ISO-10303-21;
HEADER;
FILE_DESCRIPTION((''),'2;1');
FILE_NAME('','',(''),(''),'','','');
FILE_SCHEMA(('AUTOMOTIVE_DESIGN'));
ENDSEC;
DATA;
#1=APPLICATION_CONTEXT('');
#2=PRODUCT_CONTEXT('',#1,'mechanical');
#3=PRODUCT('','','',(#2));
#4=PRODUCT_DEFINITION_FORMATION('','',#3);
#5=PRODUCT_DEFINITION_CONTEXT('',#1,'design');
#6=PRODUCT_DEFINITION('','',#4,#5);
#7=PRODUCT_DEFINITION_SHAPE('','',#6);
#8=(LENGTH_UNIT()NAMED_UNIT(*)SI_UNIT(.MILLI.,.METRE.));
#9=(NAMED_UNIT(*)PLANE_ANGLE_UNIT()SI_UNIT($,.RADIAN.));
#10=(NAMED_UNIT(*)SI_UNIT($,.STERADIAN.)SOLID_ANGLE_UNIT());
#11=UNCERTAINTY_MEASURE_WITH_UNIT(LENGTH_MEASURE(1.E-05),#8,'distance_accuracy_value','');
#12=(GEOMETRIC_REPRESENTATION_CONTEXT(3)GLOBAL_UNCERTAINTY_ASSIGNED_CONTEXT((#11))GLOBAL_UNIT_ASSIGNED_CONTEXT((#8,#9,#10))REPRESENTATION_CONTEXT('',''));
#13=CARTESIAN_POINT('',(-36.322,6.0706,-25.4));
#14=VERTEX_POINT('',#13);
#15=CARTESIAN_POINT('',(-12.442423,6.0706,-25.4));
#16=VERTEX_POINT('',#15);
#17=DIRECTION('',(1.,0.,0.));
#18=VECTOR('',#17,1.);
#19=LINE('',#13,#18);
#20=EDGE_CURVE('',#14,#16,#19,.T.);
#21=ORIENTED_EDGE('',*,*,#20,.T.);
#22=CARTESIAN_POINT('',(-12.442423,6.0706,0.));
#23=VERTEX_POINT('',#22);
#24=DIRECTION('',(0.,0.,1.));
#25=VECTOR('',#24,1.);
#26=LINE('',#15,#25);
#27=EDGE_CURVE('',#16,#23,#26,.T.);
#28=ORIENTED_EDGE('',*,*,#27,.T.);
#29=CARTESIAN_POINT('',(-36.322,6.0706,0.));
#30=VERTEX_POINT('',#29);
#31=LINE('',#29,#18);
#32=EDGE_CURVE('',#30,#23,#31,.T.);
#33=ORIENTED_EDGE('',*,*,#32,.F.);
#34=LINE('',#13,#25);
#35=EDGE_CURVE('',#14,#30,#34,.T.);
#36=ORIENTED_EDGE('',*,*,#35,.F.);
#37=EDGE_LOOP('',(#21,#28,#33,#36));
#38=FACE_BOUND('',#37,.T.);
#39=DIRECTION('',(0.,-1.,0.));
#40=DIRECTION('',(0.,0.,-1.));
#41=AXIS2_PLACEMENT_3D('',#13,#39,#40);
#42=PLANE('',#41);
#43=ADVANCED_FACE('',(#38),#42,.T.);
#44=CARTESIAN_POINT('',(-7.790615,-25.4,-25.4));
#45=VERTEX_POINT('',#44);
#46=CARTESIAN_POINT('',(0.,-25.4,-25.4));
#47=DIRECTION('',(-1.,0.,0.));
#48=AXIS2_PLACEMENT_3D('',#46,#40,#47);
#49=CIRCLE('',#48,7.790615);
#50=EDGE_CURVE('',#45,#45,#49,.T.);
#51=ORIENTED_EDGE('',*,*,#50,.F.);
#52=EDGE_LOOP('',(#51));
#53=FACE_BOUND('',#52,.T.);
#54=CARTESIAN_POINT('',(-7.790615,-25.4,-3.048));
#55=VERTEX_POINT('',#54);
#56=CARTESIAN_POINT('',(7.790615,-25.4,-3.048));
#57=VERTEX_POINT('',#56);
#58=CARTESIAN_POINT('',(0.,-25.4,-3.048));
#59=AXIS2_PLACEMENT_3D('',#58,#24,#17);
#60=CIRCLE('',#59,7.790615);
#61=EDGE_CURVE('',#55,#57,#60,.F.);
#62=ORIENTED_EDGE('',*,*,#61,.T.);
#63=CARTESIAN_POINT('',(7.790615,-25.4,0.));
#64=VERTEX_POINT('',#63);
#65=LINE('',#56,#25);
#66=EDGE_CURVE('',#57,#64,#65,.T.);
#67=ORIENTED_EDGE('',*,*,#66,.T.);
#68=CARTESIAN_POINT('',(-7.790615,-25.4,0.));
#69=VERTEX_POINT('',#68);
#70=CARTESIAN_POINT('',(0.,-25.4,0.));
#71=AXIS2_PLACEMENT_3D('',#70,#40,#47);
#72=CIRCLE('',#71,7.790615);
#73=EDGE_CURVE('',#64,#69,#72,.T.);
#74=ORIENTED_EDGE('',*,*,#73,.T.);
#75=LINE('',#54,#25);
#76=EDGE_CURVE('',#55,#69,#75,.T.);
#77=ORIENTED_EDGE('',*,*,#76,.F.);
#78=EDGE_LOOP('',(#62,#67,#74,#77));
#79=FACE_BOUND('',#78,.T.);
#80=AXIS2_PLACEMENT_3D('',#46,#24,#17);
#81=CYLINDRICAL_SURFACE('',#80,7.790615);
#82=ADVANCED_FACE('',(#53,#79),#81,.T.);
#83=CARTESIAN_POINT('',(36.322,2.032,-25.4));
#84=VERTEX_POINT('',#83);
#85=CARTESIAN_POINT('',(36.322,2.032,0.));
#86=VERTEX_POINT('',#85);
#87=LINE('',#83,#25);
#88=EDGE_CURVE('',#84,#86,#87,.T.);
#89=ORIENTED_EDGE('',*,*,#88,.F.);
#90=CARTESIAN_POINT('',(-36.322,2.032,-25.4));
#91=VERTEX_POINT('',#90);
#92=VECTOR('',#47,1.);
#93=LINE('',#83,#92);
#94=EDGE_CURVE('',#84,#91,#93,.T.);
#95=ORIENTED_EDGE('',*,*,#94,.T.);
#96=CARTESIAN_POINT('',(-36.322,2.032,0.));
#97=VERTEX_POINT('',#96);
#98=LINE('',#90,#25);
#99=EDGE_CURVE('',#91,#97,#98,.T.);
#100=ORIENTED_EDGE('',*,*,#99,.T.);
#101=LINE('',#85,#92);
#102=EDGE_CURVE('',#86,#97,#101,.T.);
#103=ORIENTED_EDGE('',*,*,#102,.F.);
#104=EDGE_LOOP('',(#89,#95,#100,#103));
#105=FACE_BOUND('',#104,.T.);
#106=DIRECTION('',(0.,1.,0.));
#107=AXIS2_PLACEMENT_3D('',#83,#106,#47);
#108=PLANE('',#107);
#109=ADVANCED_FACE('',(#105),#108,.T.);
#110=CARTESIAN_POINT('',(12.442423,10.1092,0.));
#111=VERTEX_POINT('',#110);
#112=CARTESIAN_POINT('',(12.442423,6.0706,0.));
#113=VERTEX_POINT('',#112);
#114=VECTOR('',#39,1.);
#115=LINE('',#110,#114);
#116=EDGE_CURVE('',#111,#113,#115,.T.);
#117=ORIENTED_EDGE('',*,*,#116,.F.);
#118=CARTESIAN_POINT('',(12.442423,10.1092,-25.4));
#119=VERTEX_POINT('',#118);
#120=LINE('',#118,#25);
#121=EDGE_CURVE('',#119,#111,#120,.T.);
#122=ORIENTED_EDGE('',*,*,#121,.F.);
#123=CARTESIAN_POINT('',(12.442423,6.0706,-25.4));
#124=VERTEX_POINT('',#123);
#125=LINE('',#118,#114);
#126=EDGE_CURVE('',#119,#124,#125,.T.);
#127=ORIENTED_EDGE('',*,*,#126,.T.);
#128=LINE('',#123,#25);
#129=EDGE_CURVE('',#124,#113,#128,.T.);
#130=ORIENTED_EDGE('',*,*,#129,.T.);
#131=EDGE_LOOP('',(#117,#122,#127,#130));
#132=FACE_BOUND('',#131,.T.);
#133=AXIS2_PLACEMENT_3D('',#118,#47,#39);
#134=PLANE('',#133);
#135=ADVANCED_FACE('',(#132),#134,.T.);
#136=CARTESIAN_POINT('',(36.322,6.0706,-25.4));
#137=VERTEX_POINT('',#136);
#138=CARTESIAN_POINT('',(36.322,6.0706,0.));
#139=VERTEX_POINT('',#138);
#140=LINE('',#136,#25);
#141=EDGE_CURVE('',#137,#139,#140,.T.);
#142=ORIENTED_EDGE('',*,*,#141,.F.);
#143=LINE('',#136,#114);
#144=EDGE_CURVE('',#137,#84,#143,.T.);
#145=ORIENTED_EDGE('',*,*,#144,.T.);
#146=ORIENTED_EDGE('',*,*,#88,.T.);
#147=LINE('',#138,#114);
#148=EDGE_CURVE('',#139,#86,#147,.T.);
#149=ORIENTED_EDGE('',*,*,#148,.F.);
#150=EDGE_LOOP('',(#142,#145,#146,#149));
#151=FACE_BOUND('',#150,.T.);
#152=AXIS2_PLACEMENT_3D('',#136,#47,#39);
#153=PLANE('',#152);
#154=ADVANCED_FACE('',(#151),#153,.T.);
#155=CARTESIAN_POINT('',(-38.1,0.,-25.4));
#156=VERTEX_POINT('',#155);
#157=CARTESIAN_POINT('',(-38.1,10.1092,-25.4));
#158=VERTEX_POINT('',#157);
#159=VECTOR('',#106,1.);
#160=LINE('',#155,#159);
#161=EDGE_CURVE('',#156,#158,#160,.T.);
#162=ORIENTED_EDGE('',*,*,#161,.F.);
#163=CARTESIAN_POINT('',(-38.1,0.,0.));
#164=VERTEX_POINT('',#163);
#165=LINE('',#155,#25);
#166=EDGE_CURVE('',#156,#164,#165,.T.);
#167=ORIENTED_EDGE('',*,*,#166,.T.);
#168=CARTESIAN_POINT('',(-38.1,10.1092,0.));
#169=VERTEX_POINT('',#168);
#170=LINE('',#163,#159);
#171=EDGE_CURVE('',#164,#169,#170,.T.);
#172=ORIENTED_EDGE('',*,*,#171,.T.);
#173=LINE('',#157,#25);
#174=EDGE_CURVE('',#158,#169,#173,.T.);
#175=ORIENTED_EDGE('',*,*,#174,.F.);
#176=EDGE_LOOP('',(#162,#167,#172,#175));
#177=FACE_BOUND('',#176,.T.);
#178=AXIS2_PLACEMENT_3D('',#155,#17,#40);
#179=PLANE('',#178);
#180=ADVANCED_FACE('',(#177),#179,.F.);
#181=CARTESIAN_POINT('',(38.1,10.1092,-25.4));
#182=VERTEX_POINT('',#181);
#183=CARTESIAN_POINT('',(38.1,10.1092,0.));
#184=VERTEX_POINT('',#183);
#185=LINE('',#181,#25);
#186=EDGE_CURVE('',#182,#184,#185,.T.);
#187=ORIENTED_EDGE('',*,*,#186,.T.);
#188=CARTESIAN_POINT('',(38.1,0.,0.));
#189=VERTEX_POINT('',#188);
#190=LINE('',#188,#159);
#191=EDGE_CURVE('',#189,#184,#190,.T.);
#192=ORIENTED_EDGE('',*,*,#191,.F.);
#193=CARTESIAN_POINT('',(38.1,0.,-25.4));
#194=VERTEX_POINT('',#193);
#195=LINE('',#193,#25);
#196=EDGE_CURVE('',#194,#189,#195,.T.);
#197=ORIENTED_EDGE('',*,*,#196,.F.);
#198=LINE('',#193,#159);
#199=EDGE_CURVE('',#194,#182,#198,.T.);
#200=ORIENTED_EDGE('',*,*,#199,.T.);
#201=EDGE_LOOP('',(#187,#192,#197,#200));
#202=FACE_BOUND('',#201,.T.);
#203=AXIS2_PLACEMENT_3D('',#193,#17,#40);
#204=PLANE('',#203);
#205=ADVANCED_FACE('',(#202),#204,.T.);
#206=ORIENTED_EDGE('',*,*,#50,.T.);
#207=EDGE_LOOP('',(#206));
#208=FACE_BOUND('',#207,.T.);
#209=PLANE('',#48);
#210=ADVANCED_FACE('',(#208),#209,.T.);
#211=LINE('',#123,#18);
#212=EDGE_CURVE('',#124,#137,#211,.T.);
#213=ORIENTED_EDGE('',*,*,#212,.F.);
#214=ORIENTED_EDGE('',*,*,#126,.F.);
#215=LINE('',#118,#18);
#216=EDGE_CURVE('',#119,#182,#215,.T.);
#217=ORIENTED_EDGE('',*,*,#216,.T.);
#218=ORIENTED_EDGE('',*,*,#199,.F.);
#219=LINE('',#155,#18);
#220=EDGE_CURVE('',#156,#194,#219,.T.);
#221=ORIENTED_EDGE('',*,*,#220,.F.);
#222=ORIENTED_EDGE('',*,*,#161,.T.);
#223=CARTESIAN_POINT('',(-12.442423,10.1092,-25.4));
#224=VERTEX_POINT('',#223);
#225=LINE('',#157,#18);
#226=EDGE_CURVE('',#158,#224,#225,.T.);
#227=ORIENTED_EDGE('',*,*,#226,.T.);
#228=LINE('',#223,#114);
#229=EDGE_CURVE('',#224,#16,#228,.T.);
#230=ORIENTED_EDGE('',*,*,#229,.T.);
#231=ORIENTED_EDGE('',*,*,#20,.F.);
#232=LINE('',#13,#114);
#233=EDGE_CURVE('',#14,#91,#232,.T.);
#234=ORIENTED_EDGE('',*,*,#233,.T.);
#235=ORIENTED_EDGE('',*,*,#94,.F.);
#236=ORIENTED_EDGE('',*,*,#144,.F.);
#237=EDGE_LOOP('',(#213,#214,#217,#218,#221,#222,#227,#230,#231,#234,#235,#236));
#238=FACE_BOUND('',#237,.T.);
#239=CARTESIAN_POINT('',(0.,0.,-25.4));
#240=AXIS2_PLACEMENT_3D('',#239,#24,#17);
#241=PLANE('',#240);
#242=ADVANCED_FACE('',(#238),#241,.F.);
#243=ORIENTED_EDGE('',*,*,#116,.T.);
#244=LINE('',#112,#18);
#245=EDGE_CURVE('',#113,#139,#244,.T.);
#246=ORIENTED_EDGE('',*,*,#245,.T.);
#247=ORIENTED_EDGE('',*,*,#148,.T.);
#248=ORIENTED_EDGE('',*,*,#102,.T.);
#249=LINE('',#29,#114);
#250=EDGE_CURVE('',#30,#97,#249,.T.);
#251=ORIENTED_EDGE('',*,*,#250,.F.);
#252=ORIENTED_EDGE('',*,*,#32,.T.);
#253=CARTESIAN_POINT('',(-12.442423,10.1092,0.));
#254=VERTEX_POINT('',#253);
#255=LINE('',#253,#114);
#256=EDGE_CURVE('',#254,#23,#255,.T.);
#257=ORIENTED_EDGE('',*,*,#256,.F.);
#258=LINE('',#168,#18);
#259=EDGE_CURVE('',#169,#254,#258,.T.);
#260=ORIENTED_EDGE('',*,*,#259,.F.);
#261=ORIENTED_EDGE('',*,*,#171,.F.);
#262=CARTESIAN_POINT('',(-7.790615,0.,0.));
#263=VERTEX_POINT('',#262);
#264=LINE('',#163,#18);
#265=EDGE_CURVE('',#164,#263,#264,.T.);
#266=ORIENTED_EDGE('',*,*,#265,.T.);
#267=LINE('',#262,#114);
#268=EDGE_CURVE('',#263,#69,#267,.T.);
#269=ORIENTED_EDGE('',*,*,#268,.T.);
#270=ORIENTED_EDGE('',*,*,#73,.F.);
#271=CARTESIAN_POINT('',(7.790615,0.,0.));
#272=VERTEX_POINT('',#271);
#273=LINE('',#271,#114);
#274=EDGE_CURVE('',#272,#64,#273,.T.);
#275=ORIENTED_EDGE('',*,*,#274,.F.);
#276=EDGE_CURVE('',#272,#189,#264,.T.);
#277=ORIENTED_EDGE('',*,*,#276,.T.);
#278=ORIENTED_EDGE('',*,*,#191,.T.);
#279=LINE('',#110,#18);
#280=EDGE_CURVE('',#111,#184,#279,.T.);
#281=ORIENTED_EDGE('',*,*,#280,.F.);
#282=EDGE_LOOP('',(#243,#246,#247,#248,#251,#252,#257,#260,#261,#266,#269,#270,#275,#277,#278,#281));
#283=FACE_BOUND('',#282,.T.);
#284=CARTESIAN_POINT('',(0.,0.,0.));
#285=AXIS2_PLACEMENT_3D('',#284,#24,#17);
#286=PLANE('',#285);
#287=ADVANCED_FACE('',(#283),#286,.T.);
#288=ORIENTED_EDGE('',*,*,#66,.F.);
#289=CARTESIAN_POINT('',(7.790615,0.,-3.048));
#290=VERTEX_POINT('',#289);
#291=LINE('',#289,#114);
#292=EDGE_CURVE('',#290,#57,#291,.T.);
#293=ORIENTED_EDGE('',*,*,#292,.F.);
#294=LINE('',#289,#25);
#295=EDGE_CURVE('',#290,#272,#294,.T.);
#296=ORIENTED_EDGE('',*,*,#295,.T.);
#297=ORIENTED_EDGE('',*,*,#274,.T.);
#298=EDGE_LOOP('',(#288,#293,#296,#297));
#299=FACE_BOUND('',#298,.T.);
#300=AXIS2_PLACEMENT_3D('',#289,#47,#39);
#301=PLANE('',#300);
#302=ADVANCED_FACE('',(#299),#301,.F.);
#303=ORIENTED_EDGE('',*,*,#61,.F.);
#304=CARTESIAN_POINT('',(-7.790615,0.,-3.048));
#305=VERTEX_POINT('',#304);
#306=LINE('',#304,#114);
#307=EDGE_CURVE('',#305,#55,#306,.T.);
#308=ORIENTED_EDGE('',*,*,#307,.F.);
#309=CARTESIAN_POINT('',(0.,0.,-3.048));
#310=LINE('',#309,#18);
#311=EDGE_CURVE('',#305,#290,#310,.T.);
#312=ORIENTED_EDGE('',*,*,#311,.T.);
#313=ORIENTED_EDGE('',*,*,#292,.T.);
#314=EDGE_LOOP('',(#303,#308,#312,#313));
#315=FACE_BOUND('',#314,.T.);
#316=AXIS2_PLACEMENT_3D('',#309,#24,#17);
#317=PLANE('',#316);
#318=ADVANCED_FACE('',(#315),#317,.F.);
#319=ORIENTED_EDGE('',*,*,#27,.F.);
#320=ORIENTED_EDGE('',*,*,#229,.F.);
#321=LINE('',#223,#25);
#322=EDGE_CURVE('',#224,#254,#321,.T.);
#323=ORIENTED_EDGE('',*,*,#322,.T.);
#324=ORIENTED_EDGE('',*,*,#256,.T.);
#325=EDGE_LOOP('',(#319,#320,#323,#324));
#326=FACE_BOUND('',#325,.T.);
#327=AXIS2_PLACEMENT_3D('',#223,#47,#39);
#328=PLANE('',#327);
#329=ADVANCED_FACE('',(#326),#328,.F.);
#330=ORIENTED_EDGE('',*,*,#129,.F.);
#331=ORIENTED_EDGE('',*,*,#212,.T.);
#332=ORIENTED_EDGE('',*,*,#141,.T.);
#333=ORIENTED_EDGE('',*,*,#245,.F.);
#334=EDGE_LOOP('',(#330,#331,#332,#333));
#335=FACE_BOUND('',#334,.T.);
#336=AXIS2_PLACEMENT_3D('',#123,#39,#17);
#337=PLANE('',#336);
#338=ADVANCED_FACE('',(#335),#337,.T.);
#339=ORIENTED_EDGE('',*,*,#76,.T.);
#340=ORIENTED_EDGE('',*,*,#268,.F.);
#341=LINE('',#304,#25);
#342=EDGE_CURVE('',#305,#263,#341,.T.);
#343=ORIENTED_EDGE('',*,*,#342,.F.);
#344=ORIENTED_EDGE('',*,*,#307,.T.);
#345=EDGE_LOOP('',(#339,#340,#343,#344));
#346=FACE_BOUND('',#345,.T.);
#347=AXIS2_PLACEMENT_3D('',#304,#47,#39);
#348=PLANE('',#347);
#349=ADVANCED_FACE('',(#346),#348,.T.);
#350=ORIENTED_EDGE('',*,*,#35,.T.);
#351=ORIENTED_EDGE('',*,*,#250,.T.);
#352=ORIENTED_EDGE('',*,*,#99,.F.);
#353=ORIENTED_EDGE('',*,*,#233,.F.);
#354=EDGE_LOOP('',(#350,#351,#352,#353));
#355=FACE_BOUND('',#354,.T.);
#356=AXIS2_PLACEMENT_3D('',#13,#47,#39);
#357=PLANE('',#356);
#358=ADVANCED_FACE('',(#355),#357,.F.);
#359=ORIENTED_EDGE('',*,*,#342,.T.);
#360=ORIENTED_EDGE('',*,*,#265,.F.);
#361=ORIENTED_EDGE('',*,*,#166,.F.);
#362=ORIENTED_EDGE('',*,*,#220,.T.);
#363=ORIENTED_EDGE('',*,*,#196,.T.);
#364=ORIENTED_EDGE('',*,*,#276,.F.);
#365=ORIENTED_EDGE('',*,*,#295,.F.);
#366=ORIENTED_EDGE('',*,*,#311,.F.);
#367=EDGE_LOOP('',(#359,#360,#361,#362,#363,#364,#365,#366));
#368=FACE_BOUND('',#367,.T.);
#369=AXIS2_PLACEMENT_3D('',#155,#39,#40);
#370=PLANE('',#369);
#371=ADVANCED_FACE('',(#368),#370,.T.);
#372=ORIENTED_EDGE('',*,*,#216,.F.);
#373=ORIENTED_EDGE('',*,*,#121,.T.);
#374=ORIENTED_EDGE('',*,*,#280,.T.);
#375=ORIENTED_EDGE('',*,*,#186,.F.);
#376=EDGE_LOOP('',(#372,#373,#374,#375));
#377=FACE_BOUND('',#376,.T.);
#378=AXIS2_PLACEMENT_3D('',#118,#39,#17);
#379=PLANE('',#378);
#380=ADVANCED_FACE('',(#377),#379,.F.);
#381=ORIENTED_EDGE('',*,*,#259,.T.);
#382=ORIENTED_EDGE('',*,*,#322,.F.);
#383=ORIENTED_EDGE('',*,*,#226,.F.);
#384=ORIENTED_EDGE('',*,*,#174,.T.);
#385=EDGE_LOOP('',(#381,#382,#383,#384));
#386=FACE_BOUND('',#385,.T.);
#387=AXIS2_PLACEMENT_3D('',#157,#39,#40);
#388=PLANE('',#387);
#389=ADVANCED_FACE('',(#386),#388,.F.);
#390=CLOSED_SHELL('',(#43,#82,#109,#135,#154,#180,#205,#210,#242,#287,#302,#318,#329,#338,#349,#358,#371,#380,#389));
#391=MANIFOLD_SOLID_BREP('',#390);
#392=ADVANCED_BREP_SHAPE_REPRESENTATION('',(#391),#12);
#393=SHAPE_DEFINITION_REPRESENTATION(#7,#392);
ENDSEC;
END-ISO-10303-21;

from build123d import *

# Parameters (mm, degrees)
BOSS_EXTRUDE1_DEPTH = 25.4
SKETCH2_W           = 7.790615149
SKETCH2_H           = 25.4
BOSS_EXTRUDE2_DEPTH = 3.048
SKETCH3_R           = 7.790615149
BOSS_EXTRUDE3_DEPTH = 25.4


with BuildPart() as part:
    # Sketch1 → Boss-Extrude1 (new body)
    with BuildSketch(Plane.XY):
        Polygon((-38.1, 0), (38.1, 0), (38.1, 10.1092), (12.442422535, 10.1092), (12.442422535, 6.0706), (36.322, 6.0706), (36.322, 2.032), (-36.322, 2.032), (-36.322, 6.0706), (-12.442422535, 6.0706), (-12.442422535, 10.1092), (-38.1, 10.1092), align=None)
    extrude(amount=-BOSS_EXTRUDE1_DEPTH)

    # Sketch2 → Boss-Extrude2 (add)
    with BuildSketch(Plane.XY):
        with Locations((-3.895307575, -12.7)):
            Rectangle(SKETCH2_W, SKETCH2_H)
        with Locations((3.895307575, -12.7)):
            Rectangle(SKETCH2_W, SKETCH2_H)
    extrude(amount=-BOSS_EXTRUDE2_DEPTH)

    # Sketch3 → Boss-Extrude3 (add)
    with BuildSketch(Plane(origin=(0, 0, 0), x_dir=(-1, 0, 0), z_dir=(0, 0, -1))):
        with Locations((0, -25.4)):
            Circle(SKETCH3_R)
    extrude(amount=BOSS_EXTRUDE3_DEPTH)


solid = part.part
